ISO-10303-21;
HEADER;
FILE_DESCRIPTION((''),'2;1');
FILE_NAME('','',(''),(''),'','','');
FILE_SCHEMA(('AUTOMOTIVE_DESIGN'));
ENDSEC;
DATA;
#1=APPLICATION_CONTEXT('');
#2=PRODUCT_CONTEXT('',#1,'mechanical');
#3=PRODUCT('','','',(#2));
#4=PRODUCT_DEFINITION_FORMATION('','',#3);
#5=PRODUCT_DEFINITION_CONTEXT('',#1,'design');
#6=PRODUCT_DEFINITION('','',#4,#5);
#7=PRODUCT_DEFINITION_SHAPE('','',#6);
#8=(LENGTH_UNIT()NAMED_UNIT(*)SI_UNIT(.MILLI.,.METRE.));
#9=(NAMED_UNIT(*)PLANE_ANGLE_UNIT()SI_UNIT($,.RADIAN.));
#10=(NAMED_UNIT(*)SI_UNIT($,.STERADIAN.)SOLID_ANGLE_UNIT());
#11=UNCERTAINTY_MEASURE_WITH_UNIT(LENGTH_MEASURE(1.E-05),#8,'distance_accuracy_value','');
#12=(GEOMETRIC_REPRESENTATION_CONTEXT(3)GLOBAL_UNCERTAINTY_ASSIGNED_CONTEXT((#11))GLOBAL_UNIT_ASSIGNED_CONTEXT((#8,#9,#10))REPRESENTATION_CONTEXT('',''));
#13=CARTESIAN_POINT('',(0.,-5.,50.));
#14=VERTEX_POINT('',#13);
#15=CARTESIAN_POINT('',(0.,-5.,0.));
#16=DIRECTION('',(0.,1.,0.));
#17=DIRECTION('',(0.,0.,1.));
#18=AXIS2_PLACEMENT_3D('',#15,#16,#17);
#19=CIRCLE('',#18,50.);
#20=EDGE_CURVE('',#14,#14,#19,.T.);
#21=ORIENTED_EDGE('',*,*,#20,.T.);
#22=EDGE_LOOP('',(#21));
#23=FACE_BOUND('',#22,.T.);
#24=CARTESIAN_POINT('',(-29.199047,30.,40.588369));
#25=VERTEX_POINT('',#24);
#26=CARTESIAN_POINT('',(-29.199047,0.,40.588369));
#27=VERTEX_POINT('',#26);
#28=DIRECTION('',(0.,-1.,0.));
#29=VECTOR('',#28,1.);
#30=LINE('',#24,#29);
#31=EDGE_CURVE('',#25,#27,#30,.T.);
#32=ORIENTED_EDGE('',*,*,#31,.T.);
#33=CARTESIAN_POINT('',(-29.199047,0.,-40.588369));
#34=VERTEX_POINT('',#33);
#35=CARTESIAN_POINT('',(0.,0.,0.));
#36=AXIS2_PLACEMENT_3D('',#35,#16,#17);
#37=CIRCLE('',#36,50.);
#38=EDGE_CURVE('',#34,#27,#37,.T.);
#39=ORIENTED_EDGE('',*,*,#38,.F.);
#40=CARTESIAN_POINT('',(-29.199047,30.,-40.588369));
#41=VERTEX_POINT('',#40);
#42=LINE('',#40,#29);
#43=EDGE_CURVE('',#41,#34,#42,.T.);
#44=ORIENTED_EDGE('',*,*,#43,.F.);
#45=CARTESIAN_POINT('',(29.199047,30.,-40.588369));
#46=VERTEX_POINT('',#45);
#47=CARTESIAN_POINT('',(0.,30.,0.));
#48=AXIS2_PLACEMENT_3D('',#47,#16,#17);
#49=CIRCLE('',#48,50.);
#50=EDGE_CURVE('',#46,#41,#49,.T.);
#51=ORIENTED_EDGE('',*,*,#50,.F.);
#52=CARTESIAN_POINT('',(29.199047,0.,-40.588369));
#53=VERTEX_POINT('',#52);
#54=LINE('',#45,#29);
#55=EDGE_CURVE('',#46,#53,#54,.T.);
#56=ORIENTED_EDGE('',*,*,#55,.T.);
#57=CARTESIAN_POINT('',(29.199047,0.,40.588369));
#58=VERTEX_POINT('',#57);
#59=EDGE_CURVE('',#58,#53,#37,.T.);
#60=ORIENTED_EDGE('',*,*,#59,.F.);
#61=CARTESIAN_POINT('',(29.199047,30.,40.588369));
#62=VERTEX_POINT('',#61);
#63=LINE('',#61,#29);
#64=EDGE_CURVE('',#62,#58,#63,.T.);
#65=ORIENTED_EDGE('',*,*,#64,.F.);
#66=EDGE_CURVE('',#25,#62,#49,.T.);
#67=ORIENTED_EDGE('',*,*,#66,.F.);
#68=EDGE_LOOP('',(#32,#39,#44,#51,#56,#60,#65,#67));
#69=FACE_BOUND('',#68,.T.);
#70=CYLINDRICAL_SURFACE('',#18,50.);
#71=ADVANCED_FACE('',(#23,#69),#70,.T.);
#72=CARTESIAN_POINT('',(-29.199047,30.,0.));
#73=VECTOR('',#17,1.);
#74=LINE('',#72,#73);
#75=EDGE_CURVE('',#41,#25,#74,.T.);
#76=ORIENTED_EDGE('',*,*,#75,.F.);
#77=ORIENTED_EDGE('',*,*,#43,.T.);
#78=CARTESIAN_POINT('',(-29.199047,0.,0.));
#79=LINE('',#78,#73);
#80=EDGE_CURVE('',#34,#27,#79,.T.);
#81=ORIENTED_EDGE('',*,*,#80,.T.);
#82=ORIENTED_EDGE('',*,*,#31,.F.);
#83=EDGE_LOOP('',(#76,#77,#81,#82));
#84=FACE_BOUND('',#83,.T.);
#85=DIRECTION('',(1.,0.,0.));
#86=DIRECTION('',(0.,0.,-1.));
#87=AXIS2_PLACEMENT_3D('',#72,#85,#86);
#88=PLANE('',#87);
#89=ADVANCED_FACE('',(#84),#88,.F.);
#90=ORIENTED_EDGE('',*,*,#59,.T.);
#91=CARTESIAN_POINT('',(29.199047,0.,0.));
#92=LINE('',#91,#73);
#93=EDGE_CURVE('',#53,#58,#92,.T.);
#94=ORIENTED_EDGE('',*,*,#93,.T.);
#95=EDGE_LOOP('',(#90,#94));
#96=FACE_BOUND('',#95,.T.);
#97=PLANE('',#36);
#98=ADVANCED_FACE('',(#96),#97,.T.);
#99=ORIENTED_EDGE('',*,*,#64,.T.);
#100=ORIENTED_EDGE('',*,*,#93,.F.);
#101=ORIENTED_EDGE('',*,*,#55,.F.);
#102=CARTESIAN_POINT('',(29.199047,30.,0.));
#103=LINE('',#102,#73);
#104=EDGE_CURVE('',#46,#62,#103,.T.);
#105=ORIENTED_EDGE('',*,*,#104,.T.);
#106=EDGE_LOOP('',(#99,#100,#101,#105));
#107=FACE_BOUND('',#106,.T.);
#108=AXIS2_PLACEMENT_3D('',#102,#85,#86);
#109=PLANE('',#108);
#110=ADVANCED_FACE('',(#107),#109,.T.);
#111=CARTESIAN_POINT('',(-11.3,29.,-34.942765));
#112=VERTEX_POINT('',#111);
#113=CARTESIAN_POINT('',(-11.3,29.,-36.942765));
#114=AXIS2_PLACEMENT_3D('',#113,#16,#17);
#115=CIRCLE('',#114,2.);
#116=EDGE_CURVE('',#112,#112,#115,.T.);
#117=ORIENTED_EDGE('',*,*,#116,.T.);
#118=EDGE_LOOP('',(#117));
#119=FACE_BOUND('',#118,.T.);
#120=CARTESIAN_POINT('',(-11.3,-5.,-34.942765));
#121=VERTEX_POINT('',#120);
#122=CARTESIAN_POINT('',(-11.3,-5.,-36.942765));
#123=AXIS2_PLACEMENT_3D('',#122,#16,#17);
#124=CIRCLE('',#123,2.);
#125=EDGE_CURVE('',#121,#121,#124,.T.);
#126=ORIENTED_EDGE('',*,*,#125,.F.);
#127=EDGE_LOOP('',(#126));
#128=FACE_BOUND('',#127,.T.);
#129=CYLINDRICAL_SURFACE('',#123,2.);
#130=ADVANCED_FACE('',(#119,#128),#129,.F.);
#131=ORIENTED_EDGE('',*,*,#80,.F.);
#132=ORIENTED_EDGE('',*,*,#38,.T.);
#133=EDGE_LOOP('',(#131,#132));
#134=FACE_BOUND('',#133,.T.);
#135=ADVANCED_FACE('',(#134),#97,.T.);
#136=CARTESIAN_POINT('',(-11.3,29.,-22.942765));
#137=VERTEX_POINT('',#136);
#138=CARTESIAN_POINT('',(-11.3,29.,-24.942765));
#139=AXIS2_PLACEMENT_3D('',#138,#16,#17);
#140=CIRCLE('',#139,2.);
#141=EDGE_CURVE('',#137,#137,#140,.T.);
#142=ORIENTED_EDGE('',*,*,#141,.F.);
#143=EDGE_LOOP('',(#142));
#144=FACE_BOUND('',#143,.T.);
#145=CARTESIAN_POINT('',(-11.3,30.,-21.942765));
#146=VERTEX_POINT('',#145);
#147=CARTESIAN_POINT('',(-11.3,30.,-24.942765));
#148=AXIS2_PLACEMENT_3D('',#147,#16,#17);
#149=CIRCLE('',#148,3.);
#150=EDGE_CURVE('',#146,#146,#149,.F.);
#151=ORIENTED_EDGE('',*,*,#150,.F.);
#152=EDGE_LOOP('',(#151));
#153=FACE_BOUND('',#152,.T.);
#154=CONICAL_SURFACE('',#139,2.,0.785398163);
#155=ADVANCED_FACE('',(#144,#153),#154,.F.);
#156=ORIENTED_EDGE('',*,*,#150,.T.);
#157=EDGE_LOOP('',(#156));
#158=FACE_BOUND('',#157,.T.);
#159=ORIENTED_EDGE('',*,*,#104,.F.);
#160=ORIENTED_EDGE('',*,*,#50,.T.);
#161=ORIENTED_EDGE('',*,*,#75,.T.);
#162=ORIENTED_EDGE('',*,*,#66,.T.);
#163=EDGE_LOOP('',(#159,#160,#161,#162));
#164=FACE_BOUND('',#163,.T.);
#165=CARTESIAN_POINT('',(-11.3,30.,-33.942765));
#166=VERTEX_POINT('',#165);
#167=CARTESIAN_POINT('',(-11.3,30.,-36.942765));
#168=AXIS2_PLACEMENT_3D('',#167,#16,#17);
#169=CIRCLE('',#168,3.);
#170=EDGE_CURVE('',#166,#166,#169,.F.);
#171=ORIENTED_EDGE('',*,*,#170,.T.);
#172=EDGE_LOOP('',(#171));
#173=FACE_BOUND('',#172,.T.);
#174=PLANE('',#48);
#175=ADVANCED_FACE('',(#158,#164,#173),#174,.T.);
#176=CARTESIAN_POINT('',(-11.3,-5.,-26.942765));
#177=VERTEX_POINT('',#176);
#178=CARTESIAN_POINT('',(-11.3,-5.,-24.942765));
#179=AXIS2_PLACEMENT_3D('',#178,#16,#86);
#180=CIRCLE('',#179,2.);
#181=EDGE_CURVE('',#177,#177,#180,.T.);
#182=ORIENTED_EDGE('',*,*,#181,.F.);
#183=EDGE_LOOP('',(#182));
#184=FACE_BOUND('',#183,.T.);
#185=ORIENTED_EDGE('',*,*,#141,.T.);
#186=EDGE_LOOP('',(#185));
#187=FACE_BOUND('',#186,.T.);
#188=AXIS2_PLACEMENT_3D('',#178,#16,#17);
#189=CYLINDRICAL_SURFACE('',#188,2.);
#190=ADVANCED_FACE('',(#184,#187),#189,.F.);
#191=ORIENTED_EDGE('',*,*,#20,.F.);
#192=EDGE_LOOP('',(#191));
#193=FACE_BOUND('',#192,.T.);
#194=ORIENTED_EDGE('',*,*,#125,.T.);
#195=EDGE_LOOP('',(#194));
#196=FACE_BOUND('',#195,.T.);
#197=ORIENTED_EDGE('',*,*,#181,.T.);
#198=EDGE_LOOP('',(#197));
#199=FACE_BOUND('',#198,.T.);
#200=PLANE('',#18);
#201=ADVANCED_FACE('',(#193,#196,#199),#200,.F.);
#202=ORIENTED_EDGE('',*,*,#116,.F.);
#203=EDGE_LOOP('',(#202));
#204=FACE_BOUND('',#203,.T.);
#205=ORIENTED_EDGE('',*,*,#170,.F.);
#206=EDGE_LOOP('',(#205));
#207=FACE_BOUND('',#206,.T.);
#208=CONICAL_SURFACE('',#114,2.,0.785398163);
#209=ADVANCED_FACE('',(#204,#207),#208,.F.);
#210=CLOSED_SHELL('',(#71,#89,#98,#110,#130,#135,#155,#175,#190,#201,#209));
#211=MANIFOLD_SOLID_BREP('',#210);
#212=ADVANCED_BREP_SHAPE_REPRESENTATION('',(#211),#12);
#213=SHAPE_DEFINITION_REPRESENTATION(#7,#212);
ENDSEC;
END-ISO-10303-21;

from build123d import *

# Parameters (mm, degrees)
IZIM1_R                     = 50
BASE_DEPTH                  = 5
Y_KSEKLIK_EKSTR_ZYON2_START = 30
Y_KSEKLIK_EKSTR_ZYON2_DEPTH = 30
IZIM2_R                     = 2
BANANA_SLOTU_DEPTH          = 79.89866919
PAH1_SIZE                   = 1


with BuildPart() as part:
    # Çizim1 → base (new body)
    with BuildSketch(Plane(origin=(0, 0, 0), x_dir=(1, 0, 0), z_dir=(0, 1, 0))):
        Circle(IZIM1_R)
    extrude(amount=-BASE_DEPTH)

    # Çizim1<3> → Yükseklik-Ekstrüzyon2 (add)
    with BuildSketch(Plane(origin=(0, 0, 0), x_dir=(1, 0, 0), z_dir=(0, 1, 0)).offset(Y_KSEKLIK_EKSTR_ZYON2_START)):
        with BuildLine():
            ThreePointArc((29.199046601, 40.588368748), (0, 50), (-29.199046601, 40.588368748))
            Line((-29.199046601, 40.588368748), (-29.199046601, 16.5))
            Line((-29.199046601, 16.5), (-29.199046601, -16.5))
            Line((-29.199046601, -16.5), (-29.199046601, -40.588368748))
            ThreePointArc((-29.199046601, -40.588368748), (0, -50), (29.199046601, -40.588368748))
            Line((29.199046601, -40.588368748), (29.199046601, -16.5))
            Line((29.199046601, -16.5), (29.199046601, 16.5))
            Line((29.199046601, 16.5), (29.199046601, 40.588368748))
        make_face()
    extrude(amount=-Y_KSEKLIK_EKSTR_ZYON2_DEPTH)

    # Çizim2 → banana slotu (cut, through all)
    with BuildSketch(Plane(origin=(0, 30, 0), x_dir=(1, 0, 0), z_dir=(0, 1, 0))):
        with Locations((-11.3, 36.942764929)):
            Circle(IZIM2_R)
        with Locations((-11.3, 24.942764929)):
            Circle(IZIM2_R)
    extrude(amount=-BANANA_SLOTU_DEPTH, mode=Mode.SUBTRACT)

    # Pah1
    pah1_edges = [part.edges().sort_by_distance(p)[0] for p in [
        (-13.3, 30, -36.942764929),
        (-13.3, 30, -24.942764929),
    ]]
    chamfer(pah1_edges, length=PAH1_SIZE)


solid = part.part
